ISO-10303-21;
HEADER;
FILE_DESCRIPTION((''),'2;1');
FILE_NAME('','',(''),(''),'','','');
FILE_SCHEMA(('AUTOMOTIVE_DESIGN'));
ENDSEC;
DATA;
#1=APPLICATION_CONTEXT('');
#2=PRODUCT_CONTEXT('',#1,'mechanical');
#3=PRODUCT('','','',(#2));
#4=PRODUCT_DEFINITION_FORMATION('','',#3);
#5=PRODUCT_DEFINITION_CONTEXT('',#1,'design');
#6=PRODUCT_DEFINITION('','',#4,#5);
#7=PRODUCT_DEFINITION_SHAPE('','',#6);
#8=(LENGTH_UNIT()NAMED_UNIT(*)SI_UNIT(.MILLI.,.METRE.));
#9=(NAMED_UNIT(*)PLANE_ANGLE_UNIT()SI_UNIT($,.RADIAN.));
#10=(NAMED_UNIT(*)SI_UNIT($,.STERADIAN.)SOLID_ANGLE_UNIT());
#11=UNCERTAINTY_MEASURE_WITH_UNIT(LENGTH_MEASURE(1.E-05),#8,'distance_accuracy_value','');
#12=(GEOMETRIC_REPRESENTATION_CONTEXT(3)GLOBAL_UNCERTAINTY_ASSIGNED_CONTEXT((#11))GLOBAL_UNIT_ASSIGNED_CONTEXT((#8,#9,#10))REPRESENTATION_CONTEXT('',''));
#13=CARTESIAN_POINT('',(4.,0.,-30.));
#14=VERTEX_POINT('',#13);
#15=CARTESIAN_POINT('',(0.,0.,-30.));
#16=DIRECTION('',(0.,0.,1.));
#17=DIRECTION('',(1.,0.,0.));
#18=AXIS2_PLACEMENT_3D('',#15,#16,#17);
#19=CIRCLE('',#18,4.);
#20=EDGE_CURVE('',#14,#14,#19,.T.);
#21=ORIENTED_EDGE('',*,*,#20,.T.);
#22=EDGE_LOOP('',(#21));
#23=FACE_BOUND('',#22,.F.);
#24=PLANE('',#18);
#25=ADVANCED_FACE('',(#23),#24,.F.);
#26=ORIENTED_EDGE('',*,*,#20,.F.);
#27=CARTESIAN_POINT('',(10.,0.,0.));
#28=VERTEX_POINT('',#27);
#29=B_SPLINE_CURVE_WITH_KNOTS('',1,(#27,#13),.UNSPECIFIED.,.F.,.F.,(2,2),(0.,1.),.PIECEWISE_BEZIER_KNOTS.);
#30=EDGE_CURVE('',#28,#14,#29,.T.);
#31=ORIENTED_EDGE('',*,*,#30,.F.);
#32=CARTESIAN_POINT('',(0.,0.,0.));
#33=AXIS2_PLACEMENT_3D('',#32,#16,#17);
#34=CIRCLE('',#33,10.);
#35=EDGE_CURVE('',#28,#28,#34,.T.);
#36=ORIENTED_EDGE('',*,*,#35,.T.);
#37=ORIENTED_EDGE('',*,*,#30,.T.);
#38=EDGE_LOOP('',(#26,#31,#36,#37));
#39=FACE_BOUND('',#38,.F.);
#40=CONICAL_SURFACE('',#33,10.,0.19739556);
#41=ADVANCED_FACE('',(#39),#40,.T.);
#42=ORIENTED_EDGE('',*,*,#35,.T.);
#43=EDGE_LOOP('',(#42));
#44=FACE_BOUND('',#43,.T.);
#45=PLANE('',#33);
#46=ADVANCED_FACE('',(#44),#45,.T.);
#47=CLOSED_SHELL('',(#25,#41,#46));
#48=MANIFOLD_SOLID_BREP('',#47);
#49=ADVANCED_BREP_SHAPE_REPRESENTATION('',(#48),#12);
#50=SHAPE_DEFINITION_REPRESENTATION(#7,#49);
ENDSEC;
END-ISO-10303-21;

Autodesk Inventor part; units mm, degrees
ref_plane "YZ Plane" through (0, 0, 0) normal (1, 0, 0) x (0, 1, 0)
ref_plane "XZ Plane" through (0, 0, 0) normal (0, 1, 0) x (-1, 0, 0)
ref_plane "Plano de trabalho1" through (0, 0, -30) normal (0, 0, 1) x (1, 0, 0)
sketch "Esboço1" plane through (0, 0, 0) normal (0, 0, 1) x (1, 0, 0)
  circle A0 centre (0, 0) radius 10
  dimension "d0" = 20
sketch "Esboço2" plane through (0, 0, -30) normal (0, 0, 1) x (1, 0, 0)
  circle A0 centre (0, 0) radius 4
  dimension "d2" = 8
loft "Transição1" add profiles "Esboço1", "Esboço2"
